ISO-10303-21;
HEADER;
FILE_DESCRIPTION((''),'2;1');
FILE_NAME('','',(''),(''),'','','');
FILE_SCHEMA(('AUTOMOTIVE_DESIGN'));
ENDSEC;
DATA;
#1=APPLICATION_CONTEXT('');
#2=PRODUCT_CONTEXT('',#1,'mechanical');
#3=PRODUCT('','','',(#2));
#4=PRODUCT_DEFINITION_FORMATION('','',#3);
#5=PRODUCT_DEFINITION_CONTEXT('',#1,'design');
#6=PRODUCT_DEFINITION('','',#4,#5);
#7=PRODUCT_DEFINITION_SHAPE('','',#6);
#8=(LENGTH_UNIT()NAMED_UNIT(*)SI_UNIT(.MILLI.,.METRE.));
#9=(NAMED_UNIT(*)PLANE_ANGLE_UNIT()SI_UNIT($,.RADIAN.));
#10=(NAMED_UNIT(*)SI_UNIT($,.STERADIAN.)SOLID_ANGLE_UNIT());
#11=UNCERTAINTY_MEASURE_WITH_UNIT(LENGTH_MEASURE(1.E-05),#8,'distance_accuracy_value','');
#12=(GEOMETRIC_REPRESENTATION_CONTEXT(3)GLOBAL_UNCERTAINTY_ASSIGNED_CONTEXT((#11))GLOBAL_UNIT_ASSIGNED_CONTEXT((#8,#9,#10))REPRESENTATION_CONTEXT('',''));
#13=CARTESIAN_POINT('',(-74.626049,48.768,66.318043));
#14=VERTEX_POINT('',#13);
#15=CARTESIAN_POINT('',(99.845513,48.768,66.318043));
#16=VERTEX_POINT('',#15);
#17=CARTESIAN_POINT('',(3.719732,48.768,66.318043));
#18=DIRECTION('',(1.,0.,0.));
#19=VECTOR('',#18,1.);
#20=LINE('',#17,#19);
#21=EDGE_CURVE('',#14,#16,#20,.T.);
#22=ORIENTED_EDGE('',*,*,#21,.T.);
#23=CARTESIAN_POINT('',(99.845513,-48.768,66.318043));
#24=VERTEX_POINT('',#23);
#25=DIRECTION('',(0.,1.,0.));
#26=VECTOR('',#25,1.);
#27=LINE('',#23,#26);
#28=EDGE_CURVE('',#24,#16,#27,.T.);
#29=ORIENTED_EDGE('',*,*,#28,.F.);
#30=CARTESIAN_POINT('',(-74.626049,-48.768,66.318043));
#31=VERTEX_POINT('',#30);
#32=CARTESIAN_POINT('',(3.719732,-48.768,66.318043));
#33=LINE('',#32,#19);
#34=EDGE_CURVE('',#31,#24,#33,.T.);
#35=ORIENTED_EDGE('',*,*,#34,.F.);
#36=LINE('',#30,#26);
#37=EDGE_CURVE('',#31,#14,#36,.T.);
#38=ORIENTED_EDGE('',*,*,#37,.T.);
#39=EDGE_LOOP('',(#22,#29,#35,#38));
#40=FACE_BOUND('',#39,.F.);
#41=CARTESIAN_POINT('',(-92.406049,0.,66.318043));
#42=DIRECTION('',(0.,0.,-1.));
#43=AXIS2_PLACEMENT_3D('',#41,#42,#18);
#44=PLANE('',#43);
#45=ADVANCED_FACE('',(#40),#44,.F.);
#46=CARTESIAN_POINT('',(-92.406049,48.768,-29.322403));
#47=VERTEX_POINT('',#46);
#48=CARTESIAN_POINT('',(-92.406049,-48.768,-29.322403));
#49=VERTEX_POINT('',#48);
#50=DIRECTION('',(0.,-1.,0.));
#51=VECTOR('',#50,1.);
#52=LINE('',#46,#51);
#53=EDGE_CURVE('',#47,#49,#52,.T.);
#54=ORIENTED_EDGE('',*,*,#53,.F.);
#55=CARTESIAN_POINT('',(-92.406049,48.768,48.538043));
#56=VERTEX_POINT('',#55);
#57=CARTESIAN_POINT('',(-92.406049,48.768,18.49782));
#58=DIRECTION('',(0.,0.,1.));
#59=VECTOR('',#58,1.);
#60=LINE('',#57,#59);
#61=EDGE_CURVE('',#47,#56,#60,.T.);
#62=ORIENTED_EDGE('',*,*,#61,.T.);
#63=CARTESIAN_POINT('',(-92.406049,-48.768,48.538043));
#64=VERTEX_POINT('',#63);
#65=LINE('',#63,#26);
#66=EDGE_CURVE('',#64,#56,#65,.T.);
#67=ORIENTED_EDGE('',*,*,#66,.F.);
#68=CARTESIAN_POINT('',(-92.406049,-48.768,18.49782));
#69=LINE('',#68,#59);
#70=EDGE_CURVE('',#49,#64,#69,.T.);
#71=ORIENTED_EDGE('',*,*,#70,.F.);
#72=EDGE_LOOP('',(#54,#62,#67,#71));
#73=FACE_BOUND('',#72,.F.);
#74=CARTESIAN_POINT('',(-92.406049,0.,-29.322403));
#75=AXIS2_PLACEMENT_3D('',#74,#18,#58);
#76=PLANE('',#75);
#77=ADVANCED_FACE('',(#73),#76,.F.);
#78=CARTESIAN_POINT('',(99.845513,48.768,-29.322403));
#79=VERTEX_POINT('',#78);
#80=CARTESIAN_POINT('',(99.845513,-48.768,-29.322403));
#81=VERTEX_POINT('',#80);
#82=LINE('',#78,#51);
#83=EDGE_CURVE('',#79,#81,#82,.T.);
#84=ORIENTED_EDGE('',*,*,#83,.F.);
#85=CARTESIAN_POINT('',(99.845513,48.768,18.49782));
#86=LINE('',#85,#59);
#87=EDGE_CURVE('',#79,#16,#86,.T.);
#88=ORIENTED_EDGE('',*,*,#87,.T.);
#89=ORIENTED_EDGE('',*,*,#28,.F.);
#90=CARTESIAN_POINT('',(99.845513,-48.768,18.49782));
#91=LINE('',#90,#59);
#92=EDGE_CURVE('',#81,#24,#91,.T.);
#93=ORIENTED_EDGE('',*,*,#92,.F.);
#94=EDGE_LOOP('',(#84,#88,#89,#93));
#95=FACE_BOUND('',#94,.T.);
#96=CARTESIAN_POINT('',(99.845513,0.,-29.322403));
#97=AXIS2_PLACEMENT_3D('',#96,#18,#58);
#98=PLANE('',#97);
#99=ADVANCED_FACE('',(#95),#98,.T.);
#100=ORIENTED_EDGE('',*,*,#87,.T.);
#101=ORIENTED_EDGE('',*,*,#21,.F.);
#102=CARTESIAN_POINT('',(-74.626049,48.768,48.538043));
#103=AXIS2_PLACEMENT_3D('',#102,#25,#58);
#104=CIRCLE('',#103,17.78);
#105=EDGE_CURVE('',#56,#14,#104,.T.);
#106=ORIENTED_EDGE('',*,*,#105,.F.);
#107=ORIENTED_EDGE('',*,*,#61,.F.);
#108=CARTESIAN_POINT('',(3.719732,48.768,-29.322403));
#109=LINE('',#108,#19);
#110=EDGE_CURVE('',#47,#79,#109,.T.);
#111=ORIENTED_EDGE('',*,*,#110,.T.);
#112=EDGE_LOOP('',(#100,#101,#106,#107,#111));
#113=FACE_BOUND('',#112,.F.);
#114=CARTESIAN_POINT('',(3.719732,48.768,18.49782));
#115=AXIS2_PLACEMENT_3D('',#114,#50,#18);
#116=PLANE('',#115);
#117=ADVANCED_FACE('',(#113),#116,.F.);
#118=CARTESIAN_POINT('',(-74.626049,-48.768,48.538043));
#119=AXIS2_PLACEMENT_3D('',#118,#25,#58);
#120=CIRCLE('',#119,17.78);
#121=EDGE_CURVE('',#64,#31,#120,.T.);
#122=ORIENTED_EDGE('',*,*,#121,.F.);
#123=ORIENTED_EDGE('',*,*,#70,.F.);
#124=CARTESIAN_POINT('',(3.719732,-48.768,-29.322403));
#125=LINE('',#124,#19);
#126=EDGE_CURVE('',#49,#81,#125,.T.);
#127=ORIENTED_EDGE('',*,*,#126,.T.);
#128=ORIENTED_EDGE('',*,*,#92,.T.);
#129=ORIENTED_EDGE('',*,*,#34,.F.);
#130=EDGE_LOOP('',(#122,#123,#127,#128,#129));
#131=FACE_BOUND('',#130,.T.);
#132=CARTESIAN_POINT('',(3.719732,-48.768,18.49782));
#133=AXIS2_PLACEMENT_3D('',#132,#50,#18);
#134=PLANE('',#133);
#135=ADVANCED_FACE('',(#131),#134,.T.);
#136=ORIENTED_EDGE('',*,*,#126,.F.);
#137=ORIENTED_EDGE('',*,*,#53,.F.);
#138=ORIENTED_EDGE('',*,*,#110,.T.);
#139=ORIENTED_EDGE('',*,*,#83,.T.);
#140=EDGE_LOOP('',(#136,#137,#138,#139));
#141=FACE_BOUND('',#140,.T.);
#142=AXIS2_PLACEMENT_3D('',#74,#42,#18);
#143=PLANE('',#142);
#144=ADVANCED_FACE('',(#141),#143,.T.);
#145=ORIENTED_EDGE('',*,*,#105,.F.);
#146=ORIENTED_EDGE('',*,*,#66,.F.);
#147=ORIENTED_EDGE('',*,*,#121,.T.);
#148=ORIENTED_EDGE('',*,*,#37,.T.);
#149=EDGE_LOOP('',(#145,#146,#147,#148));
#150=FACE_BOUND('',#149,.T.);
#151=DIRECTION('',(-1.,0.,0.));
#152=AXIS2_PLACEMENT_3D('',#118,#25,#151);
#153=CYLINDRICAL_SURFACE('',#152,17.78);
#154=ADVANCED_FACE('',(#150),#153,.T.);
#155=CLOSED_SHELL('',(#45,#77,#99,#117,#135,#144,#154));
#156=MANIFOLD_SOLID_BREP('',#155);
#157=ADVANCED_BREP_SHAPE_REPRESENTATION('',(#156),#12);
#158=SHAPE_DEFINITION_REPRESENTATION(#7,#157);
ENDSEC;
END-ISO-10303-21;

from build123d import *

# Parameters (mm, degrees)
F0_W     = 192.251563
F0_H     = 95.640446
F1_DEPTH = 48.768
F2_R     = 17.78


with BuildPart() as f1:
    # F0 (on Front) → F1 (new body, symmetric)
    with BuildSketch(Plane.XZ):
        with Locations((3.719732, 18.49782)):
            Rectangle(F0_W, F0_H)
    extrude(amount=F1_DEPTH, both=True)

    # F2
    f2_edges = [f1.edges().sort_by_distance(p)[0] for p in [
        (-92.406049, 0, 66.318043),
    ]]
    fillet(f2_edges, radius=F2_R)


solid = f1.part
